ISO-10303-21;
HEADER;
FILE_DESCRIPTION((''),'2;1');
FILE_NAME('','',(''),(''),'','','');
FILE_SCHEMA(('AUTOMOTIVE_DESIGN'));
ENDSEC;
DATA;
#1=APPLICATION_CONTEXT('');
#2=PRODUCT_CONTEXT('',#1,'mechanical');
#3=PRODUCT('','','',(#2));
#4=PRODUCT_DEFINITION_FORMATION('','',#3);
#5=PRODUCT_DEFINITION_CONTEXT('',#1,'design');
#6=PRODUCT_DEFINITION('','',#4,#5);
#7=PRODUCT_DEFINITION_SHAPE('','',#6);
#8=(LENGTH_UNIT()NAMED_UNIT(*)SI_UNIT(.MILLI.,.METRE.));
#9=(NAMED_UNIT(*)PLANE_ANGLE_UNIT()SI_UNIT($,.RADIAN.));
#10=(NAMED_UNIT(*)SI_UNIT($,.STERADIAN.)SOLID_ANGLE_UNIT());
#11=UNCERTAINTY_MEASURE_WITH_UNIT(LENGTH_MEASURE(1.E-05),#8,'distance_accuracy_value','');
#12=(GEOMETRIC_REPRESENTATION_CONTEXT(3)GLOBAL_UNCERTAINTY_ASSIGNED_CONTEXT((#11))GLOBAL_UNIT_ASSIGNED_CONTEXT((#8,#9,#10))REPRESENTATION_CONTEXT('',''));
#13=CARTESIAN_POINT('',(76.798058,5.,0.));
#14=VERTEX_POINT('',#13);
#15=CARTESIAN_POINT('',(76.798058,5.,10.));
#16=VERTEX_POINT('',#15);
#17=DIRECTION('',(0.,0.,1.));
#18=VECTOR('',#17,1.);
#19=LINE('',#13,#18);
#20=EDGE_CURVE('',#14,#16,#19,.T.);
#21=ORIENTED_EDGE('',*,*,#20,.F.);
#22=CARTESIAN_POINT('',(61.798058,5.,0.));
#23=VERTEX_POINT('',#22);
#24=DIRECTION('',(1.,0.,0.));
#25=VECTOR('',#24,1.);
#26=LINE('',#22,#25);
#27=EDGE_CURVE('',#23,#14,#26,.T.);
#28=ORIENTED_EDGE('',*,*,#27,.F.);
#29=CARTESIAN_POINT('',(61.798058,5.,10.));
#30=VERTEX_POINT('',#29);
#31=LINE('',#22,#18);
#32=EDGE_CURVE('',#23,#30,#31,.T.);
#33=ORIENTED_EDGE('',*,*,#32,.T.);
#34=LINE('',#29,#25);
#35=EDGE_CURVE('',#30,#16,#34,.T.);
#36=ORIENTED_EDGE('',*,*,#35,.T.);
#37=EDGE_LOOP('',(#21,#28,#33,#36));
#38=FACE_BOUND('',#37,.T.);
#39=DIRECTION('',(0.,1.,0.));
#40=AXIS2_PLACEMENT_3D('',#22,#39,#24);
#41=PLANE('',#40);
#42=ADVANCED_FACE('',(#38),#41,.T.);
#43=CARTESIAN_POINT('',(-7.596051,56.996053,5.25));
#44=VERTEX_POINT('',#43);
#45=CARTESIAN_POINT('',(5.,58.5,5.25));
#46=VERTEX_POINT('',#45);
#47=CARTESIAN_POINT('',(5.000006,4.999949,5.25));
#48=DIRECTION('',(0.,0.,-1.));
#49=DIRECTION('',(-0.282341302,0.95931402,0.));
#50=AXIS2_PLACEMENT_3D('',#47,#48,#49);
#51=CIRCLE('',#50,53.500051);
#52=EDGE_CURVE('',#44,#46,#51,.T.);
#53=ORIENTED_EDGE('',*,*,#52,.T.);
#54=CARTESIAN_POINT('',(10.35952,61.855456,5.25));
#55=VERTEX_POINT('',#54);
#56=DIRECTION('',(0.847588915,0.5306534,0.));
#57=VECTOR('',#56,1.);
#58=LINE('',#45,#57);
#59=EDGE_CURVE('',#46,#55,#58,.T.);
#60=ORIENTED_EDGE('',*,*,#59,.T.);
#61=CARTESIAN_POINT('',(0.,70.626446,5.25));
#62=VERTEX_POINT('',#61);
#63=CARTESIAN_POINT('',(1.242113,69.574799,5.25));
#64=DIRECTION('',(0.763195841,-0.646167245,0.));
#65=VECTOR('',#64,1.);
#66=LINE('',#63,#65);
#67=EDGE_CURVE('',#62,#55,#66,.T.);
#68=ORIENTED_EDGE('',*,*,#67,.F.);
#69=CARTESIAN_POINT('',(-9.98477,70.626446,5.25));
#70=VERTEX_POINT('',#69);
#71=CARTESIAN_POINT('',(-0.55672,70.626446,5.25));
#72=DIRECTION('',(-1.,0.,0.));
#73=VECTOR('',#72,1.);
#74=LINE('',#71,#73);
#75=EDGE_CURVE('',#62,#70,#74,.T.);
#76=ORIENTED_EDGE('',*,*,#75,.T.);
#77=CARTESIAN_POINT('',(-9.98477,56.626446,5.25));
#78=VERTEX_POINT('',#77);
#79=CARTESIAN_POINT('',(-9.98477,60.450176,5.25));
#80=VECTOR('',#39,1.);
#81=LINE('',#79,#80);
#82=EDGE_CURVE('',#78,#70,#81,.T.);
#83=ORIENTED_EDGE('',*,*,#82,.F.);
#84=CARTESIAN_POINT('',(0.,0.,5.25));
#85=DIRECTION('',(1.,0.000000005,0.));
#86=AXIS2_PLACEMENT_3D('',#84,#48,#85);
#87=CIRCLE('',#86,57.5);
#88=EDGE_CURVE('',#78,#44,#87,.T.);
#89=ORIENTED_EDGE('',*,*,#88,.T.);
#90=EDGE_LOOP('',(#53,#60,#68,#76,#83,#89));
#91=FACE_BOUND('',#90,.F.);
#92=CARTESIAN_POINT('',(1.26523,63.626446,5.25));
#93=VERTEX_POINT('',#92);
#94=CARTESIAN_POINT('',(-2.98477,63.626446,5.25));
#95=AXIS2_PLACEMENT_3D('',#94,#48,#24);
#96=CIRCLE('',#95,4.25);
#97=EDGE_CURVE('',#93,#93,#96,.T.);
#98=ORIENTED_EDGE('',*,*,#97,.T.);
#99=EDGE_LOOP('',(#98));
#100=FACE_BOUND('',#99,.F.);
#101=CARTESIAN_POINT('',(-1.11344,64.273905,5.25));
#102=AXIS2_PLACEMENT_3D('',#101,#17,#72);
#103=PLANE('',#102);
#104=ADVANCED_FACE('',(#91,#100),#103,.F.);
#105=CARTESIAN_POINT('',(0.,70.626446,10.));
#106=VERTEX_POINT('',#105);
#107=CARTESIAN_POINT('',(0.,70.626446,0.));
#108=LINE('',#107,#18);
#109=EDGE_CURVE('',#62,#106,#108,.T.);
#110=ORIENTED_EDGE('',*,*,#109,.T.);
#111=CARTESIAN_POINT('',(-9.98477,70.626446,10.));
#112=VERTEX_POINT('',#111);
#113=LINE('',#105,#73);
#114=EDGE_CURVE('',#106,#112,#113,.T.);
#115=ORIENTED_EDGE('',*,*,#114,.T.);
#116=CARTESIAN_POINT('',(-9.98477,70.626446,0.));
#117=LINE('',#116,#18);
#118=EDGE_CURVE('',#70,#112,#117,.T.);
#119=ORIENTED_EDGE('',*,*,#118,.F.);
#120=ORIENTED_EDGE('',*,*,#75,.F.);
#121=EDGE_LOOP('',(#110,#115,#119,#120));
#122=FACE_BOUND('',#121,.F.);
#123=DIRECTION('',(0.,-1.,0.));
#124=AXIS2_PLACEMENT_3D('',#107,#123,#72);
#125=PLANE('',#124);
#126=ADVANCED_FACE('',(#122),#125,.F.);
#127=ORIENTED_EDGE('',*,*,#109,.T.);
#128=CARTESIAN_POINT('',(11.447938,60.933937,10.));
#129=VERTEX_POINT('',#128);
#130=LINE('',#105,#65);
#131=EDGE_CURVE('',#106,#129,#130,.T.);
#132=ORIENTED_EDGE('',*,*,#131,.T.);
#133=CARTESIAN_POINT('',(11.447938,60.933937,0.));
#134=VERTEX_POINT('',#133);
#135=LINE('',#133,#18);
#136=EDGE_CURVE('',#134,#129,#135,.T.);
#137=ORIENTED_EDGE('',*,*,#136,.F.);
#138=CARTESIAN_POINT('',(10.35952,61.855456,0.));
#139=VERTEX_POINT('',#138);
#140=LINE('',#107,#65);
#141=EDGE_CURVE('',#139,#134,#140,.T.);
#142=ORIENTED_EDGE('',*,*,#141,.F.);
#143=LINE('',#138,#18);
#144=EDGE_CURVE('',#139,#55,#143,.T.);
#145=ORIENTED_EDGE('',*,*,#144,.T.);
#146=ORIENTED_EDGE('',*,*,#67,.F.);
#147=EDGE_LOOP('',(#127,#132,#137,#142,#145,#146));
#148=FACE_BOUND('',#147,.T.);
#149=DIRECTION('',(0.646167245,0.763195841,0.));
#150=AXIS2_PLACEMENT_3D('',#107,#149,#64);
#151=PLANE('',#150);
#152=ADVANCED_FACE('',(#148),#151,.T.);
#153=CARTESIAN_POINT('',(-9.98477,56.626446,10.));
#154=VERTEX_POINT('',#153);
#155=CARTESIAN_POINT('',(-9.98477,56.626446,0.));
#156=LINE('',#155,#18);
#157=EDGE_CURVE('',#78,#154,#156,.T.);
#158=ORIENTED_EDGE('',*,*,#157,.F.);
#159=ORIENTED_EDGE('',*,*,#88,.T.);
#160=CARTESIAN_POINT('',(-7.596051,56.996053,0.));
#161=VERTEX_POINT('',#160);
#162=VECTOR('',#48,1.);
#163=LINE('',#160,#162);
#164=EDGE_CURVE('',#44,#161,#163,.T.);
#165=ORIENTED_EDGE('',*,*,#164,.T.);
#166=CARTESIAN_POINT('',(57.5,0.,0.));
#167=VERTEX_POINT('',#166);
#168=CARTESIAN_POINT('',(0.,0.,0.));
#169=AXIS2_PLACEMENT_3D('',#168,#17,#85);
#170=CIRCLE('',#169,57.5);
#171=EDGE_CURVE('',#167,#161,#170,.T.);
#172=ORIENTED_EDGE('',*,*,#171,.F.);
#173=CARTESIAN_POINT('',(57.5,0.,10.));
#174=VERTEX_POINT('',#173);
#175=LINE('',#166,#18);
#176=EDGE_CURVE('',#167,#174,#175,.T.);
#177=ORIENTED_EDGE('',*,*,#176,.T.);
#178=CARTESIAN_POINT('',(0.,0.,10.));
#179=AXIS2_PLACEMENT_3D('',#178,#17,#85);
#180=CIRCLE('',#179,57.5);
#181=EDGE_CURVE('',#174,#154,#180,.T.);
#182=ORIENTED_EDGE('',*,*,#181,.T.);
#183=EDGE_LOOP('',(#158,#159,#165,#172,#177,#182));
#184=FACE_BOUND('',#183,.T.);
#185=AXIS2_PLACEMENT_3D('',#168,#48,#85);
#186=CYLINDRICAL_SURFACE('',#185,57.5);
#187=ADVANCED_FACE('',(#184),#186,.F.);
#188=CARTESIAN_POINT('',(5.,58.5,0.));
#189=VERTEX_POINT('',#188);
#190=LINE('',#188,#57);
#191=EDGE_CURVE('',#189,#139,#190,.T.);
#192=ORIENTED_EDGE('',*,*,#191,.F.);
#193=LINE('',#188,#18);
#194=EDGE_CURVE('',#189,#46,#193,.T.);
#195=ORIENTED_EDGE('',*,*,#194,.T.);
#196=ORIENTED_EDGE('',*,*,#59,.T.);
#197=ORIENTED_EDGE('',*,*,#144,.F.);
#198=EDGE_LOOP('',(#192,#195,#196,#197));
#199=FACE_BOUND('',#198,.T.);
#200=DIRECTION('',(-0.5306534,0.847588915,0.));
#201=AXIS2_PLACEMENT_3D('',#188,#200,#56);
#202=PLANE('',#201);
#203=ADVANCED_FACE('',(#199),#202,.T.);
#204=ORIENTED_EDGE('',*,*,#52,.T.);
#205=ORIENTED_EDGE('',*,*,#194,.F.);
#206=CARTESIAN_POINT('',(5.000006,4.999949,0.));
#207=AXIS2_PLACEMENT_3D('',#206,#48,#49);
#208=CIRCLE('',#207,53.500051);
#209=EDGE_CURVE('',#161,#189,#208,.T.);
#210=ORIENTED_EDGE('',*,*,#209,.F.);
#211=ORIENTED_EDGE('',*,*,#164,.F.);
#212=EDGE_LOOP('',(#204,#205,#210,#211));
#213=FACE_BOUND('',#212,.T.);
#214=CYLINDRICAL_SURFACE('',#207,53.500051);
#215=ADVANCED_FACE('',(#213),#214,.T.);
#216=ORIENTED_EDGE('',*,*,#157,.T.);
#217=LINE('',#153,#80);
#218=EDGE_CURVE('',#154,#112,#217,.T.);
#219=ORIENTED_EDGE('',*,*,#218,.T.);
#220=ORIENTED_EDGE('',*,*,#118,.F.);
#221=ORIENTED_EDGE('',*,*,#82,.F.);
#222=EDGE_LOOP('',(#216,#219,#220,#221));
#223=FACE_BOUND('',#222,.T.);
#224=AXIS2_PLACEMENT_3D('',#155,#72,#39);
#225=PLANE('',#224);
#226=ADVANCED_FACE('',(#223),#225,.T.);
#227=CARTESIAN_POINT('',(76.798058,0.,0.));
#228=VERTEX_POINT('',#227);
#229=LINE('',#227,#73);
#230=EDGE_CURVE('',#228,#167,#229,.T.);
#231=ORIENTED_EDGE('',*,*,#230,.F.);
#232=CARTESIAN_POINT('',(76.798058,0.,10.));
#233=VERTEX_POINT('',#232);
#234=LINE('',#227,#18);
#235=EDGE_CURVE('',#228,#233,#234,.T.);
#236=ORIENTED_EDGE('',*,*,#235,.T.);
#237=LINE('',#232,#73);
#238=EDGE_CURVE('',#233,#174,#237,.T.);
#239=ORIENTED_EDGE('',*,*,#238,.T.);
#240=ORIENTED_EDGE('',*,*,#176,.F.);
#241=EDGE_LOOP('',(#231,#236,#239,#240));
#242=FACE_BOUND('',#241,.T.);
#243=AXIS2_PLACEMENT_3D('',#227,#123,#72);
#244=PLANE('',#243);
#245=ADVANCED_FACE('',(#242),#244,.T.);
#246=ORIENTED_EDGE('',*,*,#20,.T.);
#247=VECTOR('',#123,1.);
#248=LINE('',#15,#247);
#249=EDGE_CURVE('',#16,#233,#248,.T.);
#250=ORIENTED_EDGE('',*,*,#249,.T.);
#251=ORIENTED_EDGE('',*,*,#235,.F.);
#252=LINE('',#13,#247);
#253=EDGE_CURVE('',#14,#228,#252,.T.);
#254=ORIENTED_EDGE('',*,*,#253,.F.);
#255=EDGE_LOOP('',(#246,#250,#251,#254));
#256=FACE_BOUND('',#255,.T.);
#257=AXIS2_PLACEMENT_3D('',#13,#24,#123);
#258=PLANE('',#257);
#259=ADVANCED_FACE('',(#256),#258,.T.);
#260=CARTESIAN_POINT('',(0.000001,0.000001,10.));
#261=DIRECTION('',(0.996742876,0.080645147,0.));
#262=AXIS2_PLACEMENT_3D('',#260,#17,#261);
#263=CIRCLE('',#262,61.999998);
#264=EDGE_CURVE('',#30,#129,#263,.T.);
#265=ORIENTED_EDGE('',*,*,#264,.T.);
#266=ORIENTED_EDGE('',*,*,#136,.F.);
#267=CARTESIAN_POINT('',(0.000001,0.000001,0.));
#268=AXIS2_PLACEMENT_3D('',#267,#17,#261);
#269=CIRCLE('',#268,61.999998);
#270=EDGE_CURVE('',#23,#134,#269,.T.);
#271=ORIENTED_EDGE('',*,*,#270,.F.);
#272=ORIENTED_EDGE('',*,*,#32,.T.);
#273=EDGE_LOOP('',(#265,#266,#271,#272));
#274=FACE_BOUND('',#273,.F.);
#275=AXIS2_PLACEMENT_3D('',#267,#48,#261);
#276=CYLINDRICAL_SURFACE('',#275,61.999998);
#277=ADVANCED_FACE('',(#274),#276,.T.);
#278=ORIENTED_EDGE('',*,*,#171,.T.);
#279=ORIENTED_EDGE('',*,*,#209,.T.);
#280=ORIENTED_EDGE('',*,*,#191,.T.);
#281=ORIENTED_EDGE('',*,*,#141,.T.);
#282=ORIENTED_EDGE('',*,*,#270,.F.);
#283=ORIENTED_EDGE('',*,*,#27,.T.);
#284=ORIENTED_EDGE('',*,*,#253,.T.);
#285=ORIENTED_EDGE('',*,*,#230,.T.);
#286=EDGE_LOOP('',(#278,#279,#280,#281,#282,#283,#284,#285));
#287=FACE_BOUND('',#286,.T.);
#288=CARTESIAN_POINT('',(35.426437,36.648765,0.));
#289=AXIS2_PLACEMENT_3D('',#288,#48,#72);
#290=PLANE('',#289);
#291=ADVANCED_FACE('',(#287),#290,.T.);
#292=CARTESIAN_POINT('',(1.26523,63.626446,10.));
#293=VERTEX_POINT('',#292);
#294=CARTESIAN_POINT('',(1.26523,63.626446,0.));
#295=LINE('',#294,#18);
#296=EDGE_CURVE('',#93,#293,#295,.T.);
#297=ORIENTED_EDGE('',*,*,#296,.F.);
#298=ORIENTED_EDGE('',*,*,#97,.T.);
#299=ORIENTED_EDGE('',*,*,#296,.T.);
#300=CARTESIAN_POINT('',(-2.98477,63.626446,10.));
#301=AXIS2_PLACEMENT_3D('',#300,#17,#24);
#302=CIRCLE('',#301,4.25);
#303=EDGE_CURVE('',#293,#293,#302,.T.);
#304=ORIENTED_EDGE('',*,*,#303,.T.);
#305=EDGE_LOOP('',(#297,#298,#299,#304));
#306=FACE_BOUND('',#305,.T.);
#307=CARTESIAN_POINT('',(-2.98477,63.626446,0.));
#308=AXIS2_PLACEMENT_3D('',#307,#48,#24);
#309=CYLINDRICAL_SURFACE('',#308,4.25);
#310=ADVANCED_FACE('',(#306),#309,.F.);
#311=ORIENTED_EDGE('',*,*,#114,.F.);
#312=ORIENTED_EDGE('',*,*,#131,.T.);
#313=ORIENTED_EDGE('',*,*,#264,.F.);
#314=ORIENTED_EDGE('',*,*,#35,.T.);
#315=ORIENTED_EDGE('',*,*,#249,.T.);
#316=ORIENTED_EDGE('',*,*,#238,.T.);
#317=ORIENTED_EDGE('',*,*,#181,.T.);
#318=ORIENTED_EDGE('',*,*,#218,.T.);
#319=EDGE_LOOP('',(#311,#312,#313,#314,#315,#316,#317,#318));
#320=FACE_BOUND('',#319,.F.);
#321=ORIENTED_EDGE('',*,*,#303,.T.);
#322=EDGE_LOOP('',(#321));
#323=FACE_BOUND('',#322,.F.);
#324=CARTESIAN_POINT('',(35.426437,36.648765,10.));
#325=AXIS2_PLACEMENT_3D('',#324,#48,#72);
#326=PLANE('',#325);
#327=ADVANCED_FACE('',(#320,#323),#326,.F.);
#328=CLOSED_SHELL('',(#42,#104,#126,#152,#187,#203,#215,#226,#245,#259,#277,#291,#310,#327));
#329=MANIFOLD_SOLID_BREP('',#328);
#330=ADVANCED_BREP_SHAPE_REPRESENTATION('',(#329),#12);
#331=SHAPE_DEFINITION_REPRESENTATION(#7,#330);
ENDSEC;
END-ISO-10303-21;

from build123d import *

# Parameters (mm, degrees)
SKETCH_R     = 4.25
PAD_DEPTH    = 10
POCKET_DEPTH = 5.25


with BuildPart() as part:
    # Sketch → Pad (new body)
    with BuildSketch(Plane.XY):
        with BuildLine():
            ThreePointArc((57.5, 0), (36.960288, 44.047555), (-9.98477, 56.626446))
            Line((-9.98477, 56.626446), (-9.98477, 70.626446))
            Line((0, 70.626446), (-9.98477, 70.626446))
            Line((0, 70.626446), (11.447938, 60.933937))
            ThreePointArc((61.798058, 5), (46.080314, 41.480172), (11.447938, 60.933937))
            Line((61.798058, 5), (76.798058, 5))
            Line((76.798058, 5), (76.798058, 0))
            Line((76.798058, 0), (57.5, 0))
        make_face()
        with Locations((-2.98477, 63.626446)):
            Circle(SKETCH_R, mode=Mode.SUBTRACT)
    extrude(amount=PAD_DEPTH)

    # Sketch001 (on Face10 of Pad) → Pocket (cut)
    with BuildSketch(Plane(origin=(0, 0, 0), x_dir=(1, 0, 0), z_dir=(0, 0, -1))):
        with BuildLine():
            ThreePointArc((-10.105268, -56.323298), (-2.630648, -57.953028), (5, -58.5))
            Line((5, -58.5), (11.780711, -62.745227))
            Line((4.894732, -71.323298), (11.780711, -62.745227))
            Line((-10.105268, -71.323298), (4.894732, -71.323298))
            Line((-10.105268, -56.323298), (-10.105268, -71.323298))
        make_face()
    extrude(amount=-POCKET_DEPTH, mode=Mode.SUBTRACT)


solid = part.part
